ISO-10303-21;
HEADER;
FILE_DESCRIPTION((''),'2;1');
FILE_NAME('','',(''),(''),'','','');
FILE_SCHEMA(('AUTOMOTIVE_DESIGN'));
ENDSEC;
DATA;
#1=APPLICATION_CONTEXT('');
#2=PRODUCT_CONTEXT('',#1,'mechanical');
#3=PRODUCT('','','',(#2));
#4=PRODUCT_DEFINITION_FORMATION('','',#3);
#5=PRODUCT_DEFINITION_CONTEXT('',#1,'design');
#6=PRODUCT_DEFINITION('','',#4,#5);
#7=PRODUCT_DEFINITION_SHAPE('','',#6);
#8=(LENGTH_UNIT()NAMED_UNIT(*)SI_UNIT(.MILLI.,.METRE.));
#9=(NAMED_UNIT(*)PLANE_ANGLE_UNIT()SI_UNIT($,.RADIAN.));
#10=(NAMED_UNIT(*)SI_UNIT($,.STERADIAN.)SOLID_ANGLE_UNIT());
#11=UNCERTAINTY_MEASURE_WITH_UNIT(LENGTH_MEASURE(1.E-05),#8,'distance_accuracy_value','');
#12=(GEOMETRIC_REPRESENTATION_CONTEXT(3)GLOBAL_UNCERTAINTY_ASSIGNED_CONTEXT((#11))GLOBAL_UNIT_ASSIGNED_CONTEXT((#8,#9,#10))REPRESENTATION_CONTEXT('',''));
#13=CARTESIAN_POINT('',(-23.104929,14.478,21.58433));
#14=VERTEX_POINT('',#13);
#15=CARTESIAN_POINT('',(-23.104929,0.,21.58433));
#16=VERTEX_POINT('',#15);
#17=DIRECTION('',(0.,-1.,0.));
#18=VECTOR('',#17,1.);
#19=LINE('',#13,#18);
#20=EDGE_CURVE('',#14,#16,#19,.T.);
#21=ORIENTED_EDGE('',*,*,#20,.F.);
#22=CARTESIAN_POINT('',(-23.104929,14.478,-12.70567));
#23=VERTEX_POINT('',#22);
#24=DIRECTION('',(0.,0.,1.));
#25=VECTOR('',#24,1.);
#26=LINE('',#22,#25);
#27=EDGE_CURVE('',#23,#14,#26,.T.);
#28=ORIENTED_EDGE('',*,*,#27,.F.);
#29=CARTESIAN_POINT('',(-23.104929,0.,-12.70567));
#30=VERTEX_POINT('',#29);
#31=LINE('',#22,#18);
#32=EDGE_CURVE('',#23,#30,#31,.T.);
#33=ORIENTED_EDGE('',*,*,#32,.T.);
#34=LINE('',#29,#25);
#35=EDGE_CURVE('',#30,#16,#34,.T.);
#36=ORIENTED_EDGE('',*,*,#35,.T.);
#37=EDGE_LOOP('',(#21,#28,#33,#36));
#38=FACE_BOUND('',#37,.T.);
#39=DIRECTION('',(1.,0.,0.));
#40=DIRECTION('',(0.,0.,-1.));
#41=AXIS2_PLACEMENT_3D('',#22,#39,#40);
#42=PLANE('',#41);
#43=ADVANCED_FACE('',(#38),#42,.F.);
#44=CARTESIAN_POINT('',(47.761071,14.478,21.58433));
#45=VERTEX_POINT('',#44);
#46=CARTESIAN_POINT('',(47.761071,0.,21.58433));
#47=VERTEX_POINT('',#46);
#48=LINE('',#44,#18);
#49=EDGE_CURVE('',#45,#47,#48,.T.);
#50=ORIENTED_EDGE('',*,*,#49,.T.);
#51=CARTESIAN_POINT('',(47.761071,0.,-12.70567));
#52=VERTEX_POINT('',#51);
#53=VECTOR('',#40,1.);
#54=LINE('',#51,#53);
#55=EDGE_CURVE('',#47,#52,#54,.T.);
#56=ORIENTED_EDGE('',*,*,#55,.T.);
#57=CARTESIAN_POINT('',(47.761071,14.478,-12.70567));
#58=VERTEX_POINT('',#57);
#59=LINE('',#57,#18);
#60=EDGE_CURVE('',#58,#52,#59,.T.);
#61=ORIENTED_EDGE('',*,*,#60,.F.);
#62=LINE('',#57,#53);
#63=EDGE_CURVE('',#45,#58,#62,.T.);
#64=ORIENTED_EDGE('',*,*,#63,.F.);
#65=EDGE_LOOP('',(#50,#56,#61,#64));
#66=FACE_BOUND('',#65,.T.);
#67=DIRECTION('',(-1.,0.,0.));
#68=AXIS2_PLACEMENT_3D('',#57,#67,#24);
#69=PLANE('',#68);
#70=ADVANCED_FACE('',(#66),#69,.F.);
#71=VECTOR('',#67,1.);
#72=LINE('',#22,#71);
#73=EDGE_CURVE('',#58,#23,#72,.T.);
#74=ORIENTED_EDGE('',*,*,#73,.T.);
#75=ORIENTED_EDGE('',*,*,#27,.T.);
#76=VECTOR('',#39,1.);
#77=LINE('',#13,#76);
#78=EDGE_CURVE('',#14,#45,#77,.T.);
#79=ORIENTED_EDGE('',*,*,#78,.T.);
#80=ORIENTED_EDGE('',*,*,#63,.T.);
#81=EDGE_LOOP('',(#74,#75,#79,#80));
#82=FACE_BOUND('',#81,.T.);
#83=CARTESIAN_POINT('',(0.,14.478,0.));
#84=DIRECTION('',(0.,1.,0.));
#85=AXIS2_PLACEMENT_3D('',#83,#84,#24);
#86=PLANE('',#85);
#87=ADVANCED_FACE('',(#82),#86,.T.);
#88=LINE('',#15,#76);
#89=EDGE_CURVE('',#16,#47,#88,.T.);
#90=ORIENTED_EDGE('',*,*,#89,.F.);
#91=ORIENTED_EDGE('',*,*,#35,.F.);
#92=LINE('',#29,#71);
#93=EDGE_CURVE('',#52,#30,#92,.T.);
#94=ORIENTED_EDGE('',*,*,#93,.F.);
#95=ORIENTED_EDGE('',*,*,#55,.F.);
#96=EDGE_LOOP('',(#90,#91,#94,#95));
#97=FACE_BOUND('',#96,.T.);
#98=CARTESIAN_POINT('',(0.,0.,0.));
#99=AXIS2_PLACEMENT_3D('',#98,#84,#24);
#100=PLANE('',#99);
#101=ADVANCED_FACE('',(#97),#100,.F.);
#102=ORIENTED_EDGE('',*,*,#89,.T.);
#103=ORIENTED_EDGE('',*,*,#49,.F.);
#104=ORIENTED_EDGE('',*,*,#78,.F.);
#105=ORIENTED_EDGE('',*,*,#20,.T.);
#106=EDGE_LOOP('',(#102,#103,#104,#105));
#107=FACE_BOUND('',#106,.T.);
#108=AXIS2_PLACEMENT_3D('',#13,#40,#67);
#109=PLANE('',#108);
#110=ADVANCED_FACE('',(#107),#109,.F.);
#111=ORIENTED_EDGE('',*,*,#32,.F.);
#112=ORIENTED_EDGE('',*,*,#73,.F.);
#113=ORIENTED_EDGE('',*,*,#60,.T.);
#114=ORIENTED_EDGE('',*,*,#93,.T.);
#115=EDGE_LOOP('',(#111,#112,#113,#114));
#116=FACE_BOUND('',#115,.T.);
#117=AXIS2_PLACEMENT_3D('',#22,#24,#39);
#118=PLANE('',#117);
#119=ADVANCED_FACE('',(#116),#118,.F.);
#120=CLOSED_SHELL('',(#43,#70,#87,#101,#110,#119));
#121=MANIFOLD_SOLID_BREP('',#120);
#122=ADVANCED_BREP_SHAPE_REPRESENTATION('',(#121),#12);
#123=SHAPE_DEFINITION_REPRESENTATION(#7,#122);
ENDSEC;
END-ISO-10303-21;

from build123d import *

# Parameters (mm, degrees)
SKETCH1_W           = 70.866
SKETCH1_H           = 34.29
BOSS_EXTRUDE1_DEPTH = 14.478


with BuildPart() as part:
    # Sketch1 → Boss-Extrude1 (new body)
    with BuildSketch(Plane(origin=(0, 0, 0), x_dir=(1, 0, 0), z_dir=(0, 1, 0))):
        with Locations((12.328071429, -4.439330357)):
            Rectangle(SKETCH1_W, SKETCH1_H)
    extrude(amount=BOSS_EXTRUDE1_DEPTH)


solid = part.part
